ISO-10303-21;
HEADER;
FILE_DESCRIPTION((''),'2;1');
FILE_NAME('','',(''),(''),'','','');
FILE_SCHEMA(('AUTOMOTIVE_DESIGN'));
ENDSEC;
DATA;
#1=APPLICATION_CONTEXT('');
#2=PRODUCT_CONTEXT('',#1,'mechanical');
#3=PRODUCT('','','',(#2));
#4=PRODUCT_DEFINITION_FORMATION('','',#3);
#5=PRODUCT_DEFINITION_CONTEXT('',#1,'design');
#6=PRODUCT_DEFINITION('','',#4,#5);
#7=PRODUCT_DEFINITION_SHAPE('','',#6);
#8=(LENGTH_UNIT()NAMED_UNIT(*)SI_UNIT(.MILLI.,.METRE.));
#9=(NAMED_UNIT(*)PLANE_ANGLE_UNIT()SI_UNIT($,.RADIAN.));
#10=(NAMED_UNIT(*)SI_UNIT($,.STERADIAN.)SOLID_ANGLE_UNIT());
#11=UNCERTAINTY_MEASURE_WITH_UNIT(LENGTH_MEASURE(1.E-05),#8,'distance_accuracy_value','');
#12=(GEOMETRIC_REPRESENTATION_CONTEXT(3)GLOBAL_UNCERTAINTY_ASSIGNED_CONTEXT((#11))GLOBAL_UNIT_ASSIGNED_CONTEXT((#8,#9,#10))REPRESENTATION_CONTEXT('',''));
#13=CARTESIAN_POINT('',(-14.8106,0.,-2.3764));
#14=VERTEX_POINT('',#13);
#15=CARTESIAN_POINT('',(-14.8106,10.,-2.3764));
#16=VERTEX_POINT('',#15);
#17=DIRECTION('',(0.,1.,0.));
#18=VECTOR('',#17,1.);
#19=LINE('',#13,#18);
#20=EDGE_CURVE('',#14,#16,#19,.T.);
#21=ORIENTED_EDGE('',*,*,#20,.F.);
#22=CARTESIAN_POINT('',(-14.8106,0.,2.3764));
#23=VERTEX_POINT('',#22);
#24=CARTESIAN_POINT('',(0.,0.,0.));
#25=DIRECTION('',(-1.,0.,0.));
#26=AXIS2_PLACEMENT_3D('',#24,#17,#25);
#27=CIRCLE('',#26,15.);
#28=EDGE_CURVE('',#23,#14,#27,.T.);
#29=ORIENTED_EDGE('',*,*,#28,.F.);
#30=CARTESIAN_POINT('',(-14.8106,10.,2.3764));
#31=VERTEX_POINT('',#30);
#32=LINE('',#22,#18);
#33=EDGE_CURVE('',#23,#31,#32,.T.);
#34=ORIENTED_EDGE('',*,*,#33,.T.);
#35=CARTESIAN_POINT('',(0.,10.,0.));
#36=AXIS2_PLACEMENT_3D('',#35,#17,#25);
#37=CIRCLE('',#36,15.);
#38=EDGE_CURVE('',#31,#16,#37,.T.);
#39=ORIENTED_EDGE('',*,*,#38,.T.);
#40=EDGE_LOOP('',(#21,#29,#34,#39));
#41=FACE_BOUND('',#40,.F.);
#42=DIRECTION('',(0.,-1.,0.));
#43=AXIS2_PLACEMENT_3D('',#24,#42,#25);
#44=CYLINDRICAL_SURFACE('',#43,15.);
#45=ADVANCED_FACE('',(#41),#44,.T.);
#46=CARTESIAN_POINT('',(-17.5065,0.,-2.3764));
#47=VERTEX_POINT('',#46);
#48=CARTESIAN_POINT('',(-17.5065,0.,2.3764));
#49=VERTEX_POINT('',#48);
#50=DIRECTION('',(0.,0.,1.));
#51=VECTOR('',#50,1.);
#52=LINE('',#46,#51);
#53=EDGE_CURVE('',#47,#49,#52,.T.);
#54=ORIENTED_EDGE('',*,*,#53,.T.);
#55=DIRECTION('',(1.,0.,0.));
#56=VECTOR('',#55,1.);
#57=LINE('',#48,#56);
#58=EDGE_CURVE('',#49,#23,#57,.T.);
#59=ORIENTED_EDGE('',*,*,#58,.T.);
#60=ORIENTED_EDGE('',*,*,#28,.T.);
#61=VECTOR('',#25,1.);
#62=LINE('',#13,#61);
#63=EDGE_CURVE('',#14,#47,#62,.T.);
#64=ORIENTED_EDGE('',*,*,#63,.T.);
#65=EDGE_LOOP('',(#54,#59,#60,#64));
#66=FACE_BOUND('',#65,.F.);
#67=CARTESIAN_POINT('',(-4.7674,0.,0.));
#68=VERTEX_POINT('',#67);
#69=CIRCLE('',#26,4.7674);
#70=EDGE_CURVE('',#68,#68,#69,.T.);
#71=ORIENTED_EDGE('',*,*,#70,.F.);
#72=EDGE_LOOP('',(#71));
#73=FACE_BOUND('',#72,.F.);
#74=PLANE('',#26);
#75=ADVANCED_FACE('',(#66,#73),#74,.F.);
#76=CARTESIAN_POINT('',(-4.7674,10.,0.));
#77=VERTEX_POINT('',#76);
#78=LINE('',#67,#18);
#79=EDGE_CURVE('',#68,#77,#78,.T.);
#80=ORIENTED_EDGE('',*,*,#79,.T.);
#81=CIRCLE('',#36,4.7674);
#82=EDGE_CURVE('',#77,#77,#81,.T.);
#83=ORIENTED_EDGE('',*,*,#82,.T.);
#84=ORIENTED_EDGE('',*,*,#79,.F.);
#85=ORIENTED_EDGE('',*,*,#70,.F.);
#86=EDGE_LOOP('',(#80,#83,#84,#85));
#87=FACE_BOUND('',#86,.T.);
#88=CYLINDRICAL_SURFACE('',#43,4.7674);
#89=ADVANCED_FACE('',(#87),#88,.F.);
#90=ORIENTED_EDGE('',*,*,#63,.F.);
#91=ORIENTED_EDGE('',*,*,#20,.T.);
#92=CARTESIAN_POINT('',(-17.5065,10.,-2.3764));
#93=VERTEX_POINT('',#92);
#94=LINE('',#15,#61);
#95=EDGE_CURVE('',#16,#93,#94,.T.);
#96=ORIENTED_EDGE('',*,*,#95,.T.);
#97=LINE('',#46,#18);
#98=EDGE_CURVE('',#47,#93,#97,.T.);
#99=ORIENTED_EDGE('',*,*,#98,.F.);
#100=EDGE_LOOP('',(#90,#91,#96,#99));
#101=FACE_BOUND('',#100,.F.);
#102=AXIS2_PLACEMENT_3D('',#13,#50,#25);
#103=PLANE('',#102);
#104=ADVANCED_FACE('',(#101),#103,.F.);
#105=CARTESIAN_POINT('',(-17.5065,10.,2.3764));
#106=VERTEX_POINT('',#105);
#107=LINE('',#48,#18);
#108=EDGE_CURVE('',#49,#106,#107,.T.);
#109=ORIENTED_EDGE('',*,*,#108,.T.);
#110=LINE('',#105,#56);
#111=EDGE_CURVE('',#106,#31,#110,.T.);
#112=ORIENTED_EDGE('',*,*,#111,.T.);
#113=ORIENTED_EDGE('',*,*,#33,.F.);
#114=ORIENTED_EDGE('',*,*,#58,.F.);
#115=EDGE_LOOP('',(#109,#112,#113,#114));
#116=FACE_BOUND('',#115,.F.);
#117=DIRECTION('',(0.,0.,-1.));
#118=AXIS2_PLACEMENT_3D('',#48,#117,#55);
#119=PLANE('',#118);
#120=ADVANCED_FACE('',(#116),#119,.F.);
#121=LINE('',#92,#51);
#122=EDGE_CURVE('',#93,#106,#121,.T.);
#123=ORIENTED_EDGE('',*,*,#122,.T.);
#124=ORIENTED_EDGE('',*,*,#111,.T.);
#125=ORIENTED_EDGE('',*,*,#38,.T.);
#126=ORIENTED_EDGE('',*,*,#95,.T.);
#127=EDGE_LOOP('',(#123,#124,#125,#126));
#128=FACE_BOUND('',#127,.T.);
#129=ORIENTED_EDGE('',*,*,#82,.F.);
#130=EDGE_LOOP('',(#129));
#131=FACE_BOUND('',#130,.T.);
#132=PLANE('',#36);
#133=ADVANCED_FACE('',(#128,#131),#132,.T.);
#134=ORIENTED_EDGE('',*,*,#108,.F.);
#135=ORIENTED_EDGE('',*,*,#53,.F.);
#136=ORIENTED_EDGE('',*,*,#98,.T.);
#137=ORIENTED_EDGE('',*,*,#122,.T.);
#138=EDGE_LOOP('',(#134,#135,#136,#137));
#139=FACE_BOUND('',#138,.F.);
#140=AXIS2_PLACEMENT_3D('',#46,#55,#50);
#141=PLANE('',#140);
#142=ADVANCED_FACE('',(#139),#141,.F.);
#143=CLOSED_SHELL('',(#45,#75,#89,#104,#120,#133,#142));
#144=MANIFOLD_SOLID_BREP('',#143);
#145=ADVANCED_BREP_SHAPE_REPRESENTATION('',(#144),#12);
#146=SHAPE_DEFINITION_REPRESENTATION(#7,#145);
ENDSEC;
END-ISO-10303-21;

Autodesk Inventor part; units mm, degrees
ref_plane "YZ Plane" through (0, 0, 0) normal (1, 0, 0) x (0, 1, 0)
ref_plane "XZ Plane" through (0, 0, 0) normal (0, 1, 0) x (-1, 0, 0)
ref_plane "XY Plane" through (0, 0, 0) normal (0, 0, 1) x (1, 0, 0)
sketch "Sketch1" plane through (0, 0, 0) normal (0, 1, 0) x (-1, 0, 0)
  circle A0 centre (0, 0) radius 4.7674
  circle A1 centre (0, 0) radius 15
  line L0 (14.8106, 2.3764) -> (14.8106, -2.3764)
  line L1 (14.8106, -2.3764) -> (17.5065, -2.3764)
  line L2 (17.5065, -2.3764) -> (17.5065, 2.3764)
  line L3 (17.5065, 2.3764) -> (14.8106, 2.3764)
  dimension "d0" = 30
  dimension "d1" = 9.5349
extrude "Extrusion1" add sketch "Sketch1" along normal blind 10
properties part number "Test_gear_p2"
